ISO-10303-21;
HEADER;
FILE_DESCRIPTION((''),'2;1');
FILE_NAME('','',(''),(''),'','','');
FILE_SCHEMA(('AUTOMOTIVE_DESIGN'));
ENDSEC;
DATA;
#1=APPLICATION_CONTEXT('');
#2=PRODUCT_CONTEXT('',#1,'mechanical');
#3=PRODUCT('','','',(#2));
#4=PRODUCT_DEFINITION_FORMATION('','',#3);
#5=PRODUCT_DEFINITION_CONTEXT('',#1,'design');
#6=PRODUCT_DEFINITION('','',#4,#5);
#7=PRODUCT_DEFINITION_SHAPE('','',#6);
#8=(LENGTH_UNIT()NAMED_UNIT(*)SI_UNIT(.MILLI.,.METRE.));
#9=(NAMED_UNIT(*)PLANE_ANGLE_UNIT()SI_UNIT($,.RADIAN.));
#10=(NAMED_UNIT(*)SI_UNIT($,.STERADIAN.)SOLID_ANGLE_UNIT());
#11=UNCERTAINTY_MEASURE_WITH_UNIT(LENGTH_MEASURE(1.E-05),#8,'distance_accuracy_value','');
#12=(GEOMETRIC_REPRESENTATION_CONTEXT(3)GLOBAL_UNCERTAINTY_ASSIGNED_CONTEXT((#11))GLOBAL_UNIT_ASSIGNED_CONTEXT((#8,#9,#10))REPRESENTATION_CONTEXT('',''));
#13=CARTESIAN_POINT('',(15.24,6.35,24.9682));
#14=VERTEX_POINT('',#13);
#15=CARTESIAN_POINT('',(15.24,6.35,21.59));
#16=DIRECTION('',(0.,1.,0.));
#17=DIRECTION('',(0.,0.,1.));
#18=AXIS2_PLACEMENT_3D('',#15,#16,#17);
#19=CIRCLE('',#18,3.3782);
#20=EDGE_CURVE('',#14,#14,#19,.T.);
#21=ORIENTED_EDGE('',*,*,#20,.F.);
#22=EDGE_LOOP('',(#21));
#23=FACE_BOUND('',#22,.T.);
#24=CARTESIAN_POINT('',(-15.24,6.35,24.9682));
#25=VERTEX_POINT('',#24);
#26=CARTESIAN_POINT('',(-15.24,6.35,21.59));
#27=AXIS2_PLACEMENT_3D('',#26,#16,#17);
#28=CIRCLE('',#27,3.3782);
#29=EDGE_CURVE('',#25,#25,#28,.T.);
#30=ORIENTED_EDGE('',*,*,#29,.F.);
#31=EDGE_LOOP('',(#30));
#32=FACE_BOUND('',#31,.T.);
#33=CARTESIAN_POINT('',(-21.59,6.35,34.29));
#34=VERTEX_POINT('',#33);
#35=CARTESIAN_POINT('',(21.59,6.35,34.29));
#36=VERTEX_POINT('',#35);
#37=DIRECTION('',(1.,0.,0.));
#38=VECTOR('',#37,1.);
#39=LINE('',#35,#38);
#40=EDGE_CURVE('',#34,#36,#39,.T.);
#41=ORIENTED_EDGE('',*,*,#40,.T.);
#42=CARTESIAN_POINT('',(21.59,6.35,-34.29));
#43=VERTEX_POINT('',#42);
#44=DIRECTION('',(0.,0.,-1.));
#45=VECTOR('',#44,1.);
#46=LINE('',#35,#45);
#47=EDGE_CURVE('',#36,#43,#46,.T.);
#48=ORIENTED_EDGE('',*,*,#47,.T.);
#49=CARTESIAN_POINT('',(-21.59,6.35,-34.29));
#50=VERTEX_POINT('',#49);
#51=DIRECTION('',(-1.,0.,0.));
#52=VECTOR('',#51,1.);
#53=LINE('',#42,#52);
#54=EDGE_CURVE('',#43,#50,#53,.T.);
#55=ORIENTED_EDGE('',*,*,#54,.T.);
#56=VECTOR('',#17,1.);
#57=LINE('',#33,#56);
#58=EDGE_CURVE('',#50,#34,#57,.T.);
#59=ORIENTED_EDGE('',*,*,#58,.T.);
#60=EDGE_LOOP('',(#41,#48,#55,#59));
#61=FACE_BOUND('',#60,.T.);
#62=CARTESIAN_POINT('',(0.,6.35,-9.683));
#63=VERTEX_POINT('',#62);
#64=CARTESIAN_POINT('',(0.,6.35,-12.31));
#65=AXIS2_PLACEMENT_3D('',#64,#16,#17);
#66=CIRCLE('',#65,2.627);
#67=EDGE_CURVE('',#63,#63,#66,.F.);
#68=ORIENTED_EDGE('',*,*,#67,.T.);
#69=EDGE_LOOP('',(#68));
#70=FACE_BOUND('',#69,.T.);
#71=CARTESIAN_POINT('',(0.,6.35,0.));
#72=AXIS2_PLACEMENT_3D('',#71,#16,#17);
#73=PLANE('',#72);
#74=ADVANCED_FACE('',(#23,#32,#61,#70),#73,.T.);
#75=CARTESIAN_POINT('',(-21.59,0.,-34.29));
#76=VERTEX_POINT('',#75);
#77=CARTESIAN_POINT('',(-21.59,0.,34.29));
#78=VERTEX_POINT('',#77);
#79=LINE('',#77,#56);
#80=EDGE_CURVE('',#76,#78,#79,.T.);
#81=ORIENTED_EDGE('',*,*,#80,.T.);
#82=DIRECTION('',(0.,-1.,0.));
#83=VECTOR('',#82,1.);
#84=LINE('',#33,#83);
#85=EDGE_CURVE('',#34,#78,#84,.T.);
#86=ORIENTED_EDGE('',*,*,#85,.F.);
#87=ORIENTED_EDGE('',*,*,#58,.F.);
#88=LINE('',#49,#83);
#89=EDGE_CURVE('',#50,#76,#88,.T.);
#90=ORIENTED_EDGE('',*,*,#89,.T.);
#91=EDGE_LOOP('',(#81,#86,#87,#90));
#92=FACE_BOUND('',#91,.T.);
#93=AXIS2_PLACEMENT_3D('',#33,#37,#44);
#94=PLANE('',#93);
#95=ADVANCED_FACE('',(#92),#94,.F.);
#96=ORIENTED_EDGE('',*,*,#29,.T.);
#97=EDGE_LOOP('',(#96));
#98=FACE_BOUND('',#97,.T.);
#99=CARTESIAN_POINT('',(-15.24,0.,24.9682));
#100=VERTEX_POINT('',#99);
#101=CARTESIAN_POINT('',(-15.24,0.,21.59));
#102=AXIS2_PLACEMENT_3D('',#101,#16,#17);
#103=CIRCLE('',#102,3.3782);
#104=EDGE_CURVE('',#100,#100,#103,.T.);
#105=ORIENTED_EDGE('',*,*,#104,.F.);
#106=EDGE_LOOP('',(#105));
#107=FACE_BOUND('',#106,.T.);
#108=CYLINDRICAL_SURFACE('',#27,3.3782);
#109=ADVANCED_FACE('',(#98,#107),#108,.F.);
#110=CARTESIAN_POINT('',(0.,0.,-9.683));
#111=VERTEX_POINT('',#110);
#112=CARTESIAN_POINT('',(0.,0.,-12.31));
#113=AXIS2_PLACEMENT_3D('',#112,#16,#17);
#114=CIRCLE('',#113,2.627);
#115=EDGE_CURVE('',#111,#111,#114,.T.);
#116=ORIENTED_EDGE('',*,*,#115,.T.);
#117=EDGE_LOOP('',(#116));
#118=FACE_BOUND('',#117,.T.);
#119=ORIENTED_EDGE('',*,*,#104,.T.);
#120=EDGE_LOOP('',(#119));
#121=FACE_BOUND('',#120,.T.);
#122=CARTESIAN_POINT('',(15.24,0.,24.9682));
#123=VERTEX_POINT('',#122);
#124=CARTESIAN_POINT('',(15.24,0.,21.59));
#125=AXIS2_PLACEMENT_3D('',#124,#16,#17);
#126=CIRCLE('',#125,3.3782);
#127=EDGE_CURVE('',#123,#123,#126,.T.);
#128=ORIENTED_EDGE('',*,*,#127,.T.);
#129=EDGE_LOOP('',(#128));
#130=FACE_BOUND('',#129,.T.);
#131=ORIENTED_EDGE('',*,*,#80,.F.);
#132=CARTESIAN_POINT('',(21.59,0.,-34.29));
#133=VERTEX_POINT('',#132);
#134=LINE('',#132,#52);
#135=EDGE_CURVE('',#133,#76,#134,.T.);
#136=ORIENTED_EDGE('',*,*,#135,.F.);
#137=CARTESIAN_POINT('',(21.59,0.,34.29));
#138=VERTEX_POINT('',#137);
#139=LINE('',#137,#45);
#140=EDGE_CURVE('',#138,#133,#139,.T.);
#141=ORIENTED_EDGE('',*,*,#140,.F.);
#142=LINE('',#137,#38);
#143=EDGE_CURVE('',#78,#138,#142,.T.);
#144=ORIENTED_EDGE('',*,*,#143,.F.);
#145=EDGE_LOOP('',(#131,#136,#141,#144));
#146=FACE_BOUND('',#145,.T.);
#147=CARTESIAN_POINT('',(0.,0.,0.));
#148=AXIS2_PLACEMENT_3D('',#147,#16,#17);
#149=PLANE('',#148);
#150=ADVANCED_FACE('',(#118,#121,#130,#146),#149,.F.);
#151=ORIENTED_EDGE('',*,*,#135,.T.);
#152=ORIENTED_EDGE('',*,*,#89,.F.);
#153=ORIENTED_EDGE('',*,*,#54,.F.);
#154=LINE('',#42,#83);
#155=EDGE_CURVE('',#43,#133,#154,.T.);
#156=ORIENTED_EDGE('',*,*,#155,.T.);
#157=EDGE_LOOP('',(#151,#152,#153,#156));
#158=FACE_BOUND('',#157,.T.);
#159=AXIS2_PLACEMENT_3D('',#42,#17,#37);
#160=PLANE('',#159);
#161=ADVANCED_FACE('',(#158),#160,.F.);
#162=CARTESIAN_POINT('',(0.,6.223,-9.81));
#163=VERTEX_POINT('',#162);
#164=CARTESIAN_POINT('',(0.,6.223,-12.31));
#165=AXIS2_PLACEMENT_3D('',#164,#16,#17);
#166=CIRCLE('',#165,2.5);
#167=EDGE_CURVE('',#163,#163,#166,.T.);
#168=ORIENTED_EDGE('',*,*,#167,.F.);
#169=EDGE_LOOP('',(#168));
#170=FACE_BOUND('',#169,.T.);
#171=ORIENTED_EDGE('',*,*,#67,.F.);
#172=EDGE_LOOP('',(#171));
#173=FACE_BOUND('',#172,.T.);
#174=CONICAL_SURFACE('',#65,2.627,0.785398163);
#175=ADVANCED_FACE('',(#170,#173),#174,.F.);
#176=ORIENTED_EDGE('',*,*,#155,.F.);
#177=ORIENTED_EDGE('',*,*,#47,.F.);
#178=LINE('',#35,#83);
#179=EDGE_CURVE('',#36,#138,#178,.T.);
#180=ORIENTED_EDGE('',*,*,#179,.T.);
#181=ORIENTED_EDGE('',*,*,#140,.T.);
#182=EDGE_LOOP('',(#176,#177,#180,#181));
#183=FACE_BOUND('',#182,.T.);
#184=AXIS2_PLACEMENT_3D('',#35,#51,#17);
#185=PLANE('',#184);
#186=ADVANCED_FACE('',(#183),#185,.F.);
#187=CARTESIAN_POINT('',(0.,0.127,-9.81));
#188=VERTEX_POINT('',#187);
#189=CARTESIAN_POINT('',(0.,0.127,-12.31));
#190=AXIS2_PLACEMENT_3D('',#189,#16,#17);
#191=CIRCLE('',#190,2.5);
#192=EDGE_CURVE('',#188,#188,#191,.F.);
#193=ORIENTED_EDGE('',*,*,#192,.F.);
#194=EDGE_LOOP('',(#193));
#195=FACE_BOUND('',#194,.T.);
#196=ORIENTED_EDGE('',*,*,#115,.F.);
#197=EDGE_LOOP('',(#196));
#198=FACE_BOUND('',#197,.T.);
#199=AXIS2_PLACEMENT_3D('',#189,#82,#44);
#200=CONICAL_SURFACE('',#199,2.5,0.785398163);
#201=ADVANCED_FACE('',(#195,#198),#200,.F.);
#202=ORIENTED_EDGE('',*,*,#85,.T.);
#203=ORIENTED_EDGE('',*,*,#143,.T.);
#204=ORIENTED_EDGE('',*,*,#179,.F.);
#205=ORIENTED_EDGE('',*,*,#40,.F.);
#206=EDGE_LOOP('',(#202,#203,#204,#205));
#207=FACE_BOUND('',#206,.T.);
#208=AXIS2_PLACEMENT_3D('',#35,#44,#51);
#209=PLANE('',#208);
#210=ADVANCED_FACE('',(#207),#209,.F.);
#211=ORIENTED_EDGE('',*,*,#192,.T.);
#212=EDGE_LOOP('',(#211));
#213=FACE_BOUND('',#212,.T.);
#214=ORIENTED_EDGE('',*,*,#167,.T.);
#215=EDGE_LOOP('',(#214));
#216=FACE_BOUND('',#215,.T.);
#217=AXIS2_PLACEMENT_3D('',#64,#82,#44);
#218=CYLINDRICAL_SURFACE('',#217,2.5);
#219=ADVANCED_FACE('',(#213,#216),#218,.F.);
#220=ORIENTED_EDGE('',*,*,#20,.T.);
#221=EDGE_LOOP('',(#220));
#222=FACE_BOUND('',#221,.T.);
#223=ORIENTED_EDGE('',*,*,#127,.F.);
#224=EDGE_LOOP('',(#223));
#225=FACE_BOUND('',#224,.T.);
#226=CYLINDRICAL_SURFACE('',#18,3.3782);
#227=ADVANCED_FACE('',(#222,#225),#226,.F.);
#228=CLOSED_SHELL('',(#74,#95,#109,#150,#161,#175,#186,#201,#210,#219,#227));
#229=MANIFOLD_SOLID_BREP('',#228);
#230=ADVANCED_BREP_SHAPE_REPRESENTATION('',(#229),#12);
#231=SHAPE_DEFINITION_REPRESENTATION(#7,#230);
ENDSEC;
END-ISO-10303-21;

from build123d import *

# Parameters (mm, degrees)
SKETCH1_W               = 43.18
SKETCH1_H               = 68.58
BOSS_EXTRUDE1_DEPTH     = 6.35
F_1_4_CLEARANCE_HOLE1_D = 6.7564
SKETCH7_R               = 2.5
CUT_EXTRUDE1_DEPTH      = 7.35
CHAMFER1_SIZE           = 0.127


with BuildPart() as part:
    # Sketch1 → Boss-Extrude1 (new body)
    with BuildSketch(Plane(origin=(0, 0, 0), x_dir=(1, 0, 0), z_dir=(0, 1, 0))):
        Rectangle(SKETCH1_W, SKETCH1_H)
    extrude(amount=BOSS_EXTRUDE1_DEPTH)

    # 1/4 Clearance Hole1 (through all)
    with Locations(Plane(origin=(0, 6.35, 0), x_dir=(1, 0, 0), z_dir=(0, 1, 0))):
        with Locations((15.24, -21.59), (-15.24, -21.59)):
            Hole(F_1_4_CLEARANCE_HOLE1_D / 2)

    # Sketch7 → Cut-Extrude1 (cut, through all)
    with BuildSketch(Plane.XZ):
        with Locations((0, -12.31)):
            Circle(SKETCH7_R)
    extrude(amount=-CUT_EXTRUDE1_DEPTH, mode=Mode.SUBTRACT)

    # Chamfer1
    chamfer1_edges = [part.edges().sort_by_distance(p)[0] for p in [
        (-2.5, 6.35, -12.31),
        (-2.5, 0, -12.31),
    ]]
    chamfer(chamfer1_edges, length=CHAMFER1_SIZE)


solid = part.part
